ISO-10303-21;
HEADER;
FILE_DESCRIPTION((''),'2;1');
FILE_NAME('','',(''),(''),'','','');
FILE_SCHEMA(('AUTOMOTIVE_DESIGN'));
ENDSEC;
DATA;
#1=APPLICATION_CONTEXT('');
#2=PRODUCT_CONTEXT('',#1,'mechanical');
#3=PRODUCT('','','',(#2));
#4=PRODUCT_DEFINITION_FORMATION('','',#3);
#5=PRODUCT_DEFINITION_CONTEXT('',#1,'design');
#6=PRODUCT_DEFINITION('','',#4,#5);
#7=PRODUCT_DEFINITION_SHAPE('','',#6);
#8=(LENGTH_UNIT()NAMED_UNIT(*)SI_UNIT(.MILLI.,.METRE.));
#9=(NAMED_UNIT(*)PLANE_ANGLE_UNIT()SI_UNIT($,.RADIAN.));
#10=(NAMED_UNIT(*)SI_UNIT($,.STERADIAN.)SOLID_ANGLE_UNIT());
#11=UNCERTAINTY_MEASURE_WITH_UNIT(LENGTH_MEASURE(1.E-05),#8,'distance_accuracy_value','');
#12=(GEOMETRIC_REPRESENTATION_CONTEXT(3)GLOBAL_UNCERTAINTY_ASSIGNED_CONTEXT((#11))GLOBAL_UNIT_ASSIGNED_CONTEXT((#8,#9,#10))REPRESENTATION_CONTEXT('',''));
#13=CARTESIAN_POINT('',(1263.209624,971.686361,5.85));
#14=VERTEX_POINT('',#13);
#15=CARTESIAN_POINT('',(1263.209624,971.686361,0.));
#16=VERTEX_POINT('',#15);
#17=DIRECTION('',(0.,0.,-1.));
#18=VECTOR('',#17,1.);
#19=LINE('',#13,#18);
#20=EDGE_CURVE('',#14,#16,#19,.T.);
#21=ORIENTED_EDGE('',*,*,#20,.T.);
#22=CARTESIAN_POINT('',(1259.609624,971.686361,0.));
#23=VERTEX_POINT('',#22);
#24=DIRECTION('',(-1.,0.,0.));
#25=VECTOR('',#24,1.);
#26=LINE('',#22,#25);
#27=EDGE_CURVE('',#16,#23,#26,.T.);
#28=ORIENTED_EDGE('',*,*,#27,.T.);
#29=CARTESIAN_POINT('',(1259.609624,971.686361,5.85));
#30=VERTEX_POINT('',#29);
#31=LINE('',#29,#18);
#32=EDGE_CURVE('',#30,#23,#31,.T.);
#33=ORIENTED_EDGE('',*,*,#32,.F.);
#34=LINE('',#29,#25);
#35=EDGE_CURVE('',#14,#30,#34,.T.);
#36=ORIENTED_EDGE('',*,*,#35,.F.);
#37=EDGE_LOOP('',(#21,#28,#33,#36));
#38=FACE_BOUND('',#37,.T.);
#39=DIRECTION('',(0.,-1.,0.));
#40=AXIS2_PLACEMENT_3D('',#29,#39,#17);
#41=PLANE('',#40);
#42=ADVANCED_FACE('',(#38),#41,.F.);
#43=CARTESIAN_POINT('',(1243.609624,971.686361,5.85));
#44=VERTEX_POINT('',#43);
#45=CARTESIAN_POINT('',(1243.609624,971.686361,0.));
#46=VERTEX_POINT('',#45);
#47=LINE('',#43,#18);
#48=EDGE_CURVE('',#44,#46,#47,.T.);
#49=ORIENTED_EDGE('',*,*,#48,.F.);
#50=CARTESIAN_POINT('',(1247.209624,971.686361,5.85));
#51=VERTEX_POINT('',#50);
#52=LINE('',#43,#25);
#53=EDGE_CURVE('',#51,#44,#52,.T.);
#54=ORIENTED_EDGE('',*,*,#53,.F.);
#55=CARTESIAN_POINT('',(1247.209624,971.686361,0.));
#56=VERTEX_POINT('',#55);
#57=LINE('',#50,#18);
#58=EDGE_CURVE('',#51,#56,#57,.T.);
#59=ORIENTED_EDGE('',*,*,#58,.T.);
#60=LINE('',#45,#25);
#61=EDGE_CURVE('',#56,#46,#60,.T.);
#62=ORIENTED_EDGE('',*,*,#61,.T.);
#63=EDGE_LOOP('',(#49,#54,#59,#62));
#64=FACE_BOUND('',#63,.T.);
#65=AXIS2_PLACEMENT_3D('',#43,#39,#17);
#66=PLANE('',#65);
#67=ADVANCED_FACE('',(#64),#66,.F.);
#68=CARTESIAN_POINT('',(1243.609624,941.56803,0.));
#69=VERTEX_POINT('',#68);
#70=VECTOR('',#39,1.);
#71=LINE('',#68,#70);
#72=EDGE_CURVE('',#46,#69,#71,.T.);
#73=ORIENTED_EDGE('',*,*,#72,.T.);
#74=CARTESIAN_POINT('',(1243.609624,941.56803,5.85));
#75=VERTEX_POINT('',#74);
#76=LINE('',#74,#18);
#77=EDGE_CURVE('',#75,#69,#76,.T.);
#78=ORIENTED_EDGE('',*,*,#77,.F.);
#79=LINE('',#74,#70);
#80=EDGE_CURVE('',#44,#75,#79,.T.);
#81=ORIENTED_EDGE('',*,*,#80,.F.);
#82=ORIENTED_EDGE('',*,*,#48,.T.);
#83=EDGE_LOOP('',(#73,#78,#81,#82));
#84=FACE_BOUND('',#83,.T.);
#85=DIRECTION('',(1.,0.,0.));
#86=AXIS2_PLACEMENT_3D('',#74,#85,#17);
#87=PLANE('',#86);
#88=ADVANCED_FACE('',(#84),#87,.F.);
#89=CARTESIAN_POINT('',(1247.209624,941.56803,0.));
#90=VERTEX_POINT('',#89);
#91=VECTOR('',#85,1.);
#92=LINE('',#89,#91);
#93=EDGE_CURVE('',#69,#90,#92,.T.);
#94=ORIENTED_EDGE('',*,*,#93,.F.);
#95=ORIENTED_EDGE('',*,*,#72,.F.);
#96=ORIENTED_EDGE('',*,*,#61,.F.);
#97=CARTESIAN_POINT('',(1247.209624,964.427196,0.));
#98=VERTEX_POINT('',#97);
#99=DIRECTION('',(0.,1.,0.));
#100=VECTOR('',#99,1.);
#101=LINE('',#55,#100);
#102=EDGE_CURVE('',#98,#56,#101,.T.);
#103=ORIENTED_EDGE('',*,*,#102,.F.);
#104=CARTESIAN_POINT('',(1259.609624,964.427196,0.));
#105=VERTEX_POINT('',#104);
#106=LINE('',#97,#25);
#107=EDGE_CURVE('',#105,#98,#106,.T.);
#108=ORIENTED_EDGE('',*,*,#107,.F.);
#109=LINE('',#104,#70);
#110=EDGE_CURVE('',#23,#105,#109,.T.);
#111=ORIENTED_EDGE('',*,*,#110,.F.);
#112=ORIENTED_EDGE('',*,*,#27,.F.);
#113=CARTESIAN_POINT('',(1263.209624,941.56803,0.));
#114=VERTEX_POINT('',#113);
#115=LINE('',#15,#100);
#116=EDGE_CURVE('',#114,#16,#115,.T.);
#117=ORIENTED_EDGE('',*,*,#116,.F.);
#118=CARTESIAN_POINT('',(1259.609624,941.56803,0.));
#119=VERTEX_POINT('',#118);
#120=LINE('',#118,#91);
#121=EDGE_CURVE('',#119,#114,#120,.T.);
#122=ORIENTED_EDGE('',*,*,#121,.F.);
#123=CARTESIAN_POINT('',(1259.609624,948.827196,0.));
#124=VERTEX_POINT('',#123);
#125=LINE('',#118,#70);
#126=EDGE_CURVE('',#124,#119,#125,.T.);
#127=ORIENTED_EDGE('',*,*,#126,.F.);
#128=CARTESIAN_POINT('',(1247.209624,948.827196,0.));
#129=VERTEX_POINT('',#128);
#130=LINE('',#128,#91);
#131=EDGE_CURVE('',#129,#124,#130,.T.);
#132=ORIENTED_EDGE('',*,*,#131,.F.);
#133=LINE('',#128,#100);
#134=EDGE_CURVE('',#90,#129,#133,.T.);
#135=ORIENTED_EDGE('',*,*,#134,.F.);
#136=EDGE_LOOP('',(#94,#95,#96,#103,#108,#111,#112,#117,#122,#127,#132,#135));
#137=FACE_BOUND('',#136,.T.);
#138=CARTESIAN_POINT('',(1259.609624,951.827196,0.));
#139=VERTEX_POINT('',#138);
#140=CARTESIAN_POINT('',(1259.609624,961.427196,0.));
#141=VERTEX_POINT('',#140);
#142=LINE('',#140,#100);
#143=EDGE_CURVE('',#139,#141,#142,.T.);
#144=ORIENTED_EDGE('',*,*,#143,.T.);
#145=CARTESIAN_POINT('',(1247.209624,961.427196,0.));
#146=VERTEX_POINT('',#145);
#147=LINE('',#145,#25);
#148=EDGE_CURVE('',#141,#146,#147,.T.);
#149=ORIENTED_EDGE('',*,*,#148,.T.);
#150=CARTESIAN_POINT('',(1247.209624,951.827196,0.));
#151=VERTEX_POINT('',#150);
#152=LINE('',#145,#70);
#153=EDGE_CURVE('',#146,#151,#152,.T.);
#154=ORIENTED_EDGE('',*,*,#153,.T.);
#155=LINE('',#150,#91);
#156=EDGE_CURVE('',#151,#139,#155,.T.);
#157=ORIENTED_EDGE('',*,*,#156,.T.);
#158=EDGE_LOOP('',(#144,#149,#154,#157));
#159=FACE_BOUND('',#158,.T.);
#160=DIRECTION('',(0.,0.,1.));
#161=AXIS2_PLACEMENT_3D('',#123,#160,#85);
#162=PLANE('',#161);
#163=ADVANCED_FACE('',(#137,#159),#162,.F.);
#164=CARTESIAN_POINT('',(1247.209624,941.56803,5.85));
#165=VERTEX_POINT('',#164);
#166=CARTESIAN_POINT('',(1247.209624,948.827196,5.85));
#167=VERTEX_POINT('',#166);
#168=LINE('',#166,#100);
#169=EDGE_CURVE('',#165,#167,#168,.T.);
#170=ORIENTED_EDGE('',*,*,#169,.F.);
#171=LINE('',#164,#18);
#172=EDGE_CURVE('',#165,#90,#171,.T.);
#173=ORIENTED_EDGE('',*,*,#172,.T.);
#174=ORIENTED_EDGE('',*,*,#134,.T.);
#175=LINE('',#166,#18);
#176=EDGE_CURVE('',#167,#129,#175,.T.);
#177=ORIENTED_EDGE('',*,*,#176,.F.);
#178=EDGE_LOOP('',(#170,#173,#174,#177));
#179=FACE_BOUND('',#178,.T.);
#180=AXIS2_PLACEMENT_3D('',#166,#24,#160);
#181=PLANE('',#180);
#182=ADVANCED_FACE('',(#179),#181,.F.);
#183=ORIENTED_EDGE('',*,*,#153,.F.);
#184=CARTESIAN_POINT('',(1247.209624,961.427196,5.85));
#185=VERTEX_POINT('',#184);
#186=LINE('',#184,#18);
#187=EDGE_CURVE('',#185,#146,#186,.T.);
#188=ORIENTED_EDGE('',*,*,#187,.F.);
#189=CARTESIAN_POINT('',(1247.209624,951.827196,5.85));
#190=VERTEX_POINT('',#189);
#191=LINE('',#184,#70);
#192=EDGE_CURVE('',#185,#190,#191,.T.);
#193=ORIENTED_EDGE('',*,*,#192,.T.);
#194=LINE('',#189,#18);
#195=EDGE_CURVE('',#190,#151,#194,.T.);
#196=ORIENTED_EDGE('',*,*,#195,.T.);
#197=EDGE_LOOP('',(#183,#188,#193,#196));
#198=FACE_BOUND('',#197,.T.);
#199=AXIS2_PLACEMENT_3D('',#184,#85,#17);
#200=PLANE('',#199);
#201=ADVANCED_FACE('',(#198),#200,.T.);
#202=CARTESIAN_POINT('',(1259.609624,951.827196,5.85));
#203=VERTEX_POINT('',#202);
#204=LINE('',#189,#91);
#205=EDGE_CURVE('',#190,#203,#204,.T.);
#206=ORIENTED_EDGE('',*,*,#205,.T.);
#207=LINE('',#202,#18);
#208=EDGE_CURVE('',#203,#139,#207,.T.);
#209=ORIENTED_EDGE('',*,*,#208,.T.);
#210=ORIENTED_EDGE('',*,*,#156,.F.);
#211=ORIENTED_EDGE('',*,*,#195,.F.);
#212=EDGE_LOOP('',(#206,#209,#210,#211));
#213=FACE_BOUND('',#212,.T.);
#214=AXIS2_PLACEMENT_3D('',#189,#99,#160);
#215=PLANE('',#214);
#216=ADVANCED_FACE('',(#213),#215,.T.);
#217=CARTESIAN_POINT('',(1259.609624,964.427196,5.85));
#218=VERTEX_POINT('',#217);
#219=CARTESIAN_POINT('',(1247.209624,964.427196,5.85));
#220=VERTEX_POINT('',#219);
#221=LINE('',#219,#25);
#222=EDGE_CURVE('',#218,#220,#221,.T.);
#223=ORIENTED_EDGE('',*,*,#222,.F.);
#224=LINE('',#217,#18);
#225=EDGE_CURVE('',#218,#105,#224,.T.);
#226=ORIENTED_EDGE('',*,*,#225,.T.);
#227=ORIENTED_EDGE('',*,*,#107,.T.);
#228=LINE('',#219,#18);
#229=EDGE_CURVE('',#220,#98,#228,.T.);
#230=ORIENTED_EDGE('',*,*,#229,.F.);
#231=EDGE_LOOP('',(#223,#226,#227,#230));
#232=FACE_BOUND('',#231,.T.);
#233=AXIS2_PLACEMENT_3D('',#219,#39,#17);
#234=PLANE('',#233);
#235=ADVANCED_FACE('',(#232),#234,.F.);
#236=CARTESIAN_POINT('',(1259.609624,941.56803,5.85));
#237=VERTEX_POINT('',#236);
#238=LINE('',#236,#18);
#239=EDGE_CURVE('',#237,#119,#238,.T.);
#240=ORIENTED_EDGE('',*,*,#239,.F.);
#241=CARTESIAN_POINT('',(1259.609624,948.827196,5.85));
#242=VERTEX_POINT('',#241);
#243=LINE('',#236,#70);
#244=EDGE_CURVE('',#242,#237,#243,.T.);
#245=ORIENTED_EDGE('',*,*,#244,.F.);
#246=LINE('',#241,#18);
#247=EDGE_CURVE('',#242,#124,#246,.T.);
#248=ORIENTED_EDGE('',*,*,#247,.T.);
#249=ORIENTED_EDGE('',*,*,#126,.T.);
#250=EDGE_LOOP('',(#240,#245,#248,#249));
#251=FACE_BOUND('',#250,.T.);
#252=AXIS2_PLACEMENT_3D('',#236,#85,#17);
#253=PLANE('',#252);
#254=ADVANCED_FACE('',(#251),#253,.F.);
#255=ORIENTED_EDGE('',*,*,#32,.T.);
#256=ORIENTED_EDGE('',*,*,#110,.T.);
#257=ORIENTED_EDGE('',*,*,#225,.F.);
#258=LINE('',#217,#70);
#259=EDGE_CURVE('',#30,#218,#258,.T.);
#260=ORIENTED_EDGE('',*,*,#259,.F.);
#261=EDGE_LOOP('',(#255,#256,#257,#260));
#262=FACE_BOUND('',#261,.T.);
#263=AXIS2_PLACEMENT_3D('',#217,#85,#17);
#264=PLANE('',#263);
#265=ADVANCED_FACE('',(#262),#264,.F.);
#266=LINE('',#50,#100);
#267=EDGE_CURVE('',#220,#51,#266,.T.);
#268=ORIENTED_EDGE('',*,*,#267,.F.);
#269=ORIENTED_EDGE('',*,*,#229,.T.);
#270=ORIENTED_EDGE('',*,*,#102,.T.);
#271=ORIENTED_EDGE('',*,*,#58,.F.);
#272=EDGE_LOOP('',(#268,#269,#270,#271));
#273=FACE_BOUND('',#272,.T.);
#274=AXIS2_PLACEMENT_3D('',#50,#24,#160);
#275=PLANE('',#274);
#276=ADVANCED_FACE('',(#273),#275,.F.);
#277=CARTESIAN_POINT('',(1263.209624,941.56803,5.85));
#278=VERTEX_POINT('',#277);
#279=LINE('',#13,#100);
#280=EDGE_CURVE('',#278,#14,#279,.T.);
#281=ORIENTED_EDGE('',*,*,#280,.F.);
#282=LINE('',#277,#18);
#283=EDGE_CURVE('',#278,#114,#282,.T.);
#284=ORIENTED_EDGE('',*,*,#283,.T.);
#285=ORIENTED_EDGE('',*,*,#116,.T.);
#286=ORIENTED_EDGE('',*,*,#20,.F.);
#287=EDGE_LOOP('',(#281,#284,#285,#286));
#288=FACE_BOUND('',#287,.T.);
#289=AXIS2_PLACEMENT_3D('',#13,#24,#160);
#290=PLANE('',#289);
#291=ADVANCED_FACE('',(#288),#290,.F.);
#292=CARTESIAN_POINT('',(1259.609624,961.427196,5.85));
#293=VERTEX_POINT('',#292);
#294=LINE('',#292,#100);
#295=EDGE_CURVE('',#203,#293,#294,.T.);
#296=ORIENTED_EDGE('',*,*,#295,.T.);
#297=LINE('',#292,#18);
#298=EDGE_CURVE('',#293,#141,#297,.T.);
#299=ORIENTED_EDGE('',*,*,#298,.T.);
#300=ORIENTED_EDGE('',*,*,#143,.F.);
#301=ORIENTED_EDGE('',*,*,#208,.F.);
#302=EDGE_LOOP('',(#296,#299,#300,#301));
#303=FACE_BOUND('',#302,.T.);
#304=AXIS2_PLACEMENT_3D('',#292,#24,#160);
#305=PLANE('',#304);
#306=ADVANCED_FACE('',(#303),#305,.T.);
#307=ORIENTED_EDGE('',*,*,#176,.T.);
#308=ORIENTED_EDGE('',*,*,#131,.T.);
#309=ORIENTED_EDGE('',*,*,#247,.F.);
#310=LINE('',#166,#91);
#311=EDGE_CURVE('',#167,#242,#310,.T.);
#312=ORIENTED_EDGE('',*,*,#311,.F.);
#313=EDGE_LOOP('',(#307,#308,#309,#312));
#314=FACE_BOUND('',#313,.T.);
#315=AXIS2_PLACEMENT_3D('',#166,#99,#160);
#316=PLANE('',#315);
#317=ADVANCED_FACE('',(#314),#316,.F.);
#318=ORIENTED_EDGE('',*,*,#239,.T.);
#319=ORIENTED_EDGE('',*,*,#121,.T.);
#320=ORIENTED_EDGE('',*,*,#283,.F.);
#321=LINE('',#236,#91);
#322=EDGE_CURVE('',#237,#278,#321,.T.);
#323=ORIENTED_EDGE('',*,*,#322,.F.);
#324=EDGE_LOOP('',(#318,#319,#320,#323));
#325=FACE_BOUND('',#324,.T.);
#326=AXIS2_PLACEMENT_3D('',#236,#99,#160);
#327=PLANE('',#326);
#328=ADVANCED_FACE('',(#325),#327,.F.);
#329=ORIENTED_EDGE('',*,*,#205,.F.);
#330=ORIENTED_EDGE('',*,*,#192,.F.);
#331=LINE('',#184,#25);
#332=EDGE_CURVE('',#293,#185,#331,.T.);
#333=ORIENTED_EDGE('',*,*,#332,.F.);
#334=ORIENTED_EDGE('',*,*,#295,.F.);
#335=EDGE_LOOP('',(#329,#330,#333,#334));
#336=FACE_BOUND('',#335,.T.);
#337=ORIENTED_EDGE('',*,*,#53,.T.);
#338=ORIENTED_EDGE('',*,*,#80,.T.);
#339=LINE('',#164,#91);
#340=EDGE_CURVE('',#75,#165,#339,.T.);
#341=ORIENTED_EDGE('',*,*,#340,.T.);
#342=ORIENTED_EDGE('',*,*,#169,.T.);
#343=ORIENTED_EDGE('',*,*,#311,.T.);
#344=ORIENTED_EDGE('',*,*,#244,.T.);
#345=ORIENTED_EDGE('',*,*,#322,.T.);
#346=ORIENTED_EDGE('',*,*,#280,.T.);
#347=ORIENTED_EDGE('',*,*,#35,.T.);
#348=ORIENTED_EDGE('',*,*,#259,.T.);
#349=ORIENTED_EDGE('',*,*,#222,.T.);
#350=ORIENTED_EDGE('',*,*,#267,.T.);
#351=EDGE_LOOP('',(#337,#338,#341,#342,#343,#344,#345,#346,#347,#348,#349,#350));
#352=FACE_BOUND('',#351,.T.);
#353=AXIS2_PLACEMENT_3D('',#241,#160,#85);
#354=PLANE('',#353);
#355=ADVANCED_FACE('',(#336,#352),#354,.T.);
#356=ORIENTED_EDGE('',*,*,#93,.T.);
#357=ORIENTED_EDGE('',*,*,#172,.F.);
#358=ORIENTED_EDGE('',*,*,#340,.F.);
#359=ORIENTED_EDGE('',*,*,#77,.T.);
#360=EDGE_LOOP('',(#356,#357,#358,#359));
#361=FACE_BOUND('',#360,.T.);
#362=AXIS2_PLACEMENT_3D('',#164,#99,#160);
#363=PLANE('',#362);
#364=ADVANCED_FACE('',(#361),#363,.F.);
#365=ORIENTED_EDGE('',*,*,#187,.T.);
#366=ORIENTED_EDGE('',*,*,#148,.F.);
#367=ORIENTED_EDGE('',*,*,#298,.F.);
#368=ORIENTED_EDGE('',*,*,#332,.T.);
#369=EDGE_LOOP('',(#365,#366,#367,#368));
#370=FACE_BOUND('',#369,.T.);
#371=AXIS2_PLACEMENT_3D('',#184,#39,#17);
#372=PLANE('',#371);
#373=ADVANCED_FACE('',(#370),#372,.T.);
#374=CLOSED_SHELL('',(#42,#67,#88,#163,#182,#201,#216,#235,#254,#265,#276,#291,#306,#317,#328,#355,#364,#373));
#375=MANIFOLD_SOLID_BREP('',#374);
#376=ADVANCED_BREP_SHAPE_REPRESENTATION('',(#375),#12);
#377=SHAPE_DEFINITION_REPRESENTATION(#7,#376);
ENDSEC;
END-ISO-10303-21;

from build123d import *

# Parameters (mm, degrees)
SKETCH1_W           = 12.4
SKETCH1_H           = 9.6
BOSS_EXTRUDE1_DEPTH = 5.85


with BuildPart() as part:
    # Sketch1 → Boss-Extrude1 (new body)
    with BuildSketch(Plane.XY):
        Polygon((1247.209623553, 948.827195661), (1247.209623553, 941.568029888), (1243.609623553, 941.568029888), (1243.609623553, 971.686361434), (1247.209623553, 971.686361434), (1247.209623553, 964.427195661), (1259.609623553, 964.427195661), (1259.609623553, 971.686361434), (1263.209623553, 971.686361434), (1263.209623553, 941.568029888), (1259.609623553, 941.568029888), (1259.609623553, 948.827195661), align=None)
        with Locations((1253.409623553, 956.627195661)):
            Rectangle(SKETCH1_W, SKETCH1_H, mode=Mode.SUBTRACT)
    extrude(amount=BOSS_EXTRUDE1_DEPTH)


solid = part.part
